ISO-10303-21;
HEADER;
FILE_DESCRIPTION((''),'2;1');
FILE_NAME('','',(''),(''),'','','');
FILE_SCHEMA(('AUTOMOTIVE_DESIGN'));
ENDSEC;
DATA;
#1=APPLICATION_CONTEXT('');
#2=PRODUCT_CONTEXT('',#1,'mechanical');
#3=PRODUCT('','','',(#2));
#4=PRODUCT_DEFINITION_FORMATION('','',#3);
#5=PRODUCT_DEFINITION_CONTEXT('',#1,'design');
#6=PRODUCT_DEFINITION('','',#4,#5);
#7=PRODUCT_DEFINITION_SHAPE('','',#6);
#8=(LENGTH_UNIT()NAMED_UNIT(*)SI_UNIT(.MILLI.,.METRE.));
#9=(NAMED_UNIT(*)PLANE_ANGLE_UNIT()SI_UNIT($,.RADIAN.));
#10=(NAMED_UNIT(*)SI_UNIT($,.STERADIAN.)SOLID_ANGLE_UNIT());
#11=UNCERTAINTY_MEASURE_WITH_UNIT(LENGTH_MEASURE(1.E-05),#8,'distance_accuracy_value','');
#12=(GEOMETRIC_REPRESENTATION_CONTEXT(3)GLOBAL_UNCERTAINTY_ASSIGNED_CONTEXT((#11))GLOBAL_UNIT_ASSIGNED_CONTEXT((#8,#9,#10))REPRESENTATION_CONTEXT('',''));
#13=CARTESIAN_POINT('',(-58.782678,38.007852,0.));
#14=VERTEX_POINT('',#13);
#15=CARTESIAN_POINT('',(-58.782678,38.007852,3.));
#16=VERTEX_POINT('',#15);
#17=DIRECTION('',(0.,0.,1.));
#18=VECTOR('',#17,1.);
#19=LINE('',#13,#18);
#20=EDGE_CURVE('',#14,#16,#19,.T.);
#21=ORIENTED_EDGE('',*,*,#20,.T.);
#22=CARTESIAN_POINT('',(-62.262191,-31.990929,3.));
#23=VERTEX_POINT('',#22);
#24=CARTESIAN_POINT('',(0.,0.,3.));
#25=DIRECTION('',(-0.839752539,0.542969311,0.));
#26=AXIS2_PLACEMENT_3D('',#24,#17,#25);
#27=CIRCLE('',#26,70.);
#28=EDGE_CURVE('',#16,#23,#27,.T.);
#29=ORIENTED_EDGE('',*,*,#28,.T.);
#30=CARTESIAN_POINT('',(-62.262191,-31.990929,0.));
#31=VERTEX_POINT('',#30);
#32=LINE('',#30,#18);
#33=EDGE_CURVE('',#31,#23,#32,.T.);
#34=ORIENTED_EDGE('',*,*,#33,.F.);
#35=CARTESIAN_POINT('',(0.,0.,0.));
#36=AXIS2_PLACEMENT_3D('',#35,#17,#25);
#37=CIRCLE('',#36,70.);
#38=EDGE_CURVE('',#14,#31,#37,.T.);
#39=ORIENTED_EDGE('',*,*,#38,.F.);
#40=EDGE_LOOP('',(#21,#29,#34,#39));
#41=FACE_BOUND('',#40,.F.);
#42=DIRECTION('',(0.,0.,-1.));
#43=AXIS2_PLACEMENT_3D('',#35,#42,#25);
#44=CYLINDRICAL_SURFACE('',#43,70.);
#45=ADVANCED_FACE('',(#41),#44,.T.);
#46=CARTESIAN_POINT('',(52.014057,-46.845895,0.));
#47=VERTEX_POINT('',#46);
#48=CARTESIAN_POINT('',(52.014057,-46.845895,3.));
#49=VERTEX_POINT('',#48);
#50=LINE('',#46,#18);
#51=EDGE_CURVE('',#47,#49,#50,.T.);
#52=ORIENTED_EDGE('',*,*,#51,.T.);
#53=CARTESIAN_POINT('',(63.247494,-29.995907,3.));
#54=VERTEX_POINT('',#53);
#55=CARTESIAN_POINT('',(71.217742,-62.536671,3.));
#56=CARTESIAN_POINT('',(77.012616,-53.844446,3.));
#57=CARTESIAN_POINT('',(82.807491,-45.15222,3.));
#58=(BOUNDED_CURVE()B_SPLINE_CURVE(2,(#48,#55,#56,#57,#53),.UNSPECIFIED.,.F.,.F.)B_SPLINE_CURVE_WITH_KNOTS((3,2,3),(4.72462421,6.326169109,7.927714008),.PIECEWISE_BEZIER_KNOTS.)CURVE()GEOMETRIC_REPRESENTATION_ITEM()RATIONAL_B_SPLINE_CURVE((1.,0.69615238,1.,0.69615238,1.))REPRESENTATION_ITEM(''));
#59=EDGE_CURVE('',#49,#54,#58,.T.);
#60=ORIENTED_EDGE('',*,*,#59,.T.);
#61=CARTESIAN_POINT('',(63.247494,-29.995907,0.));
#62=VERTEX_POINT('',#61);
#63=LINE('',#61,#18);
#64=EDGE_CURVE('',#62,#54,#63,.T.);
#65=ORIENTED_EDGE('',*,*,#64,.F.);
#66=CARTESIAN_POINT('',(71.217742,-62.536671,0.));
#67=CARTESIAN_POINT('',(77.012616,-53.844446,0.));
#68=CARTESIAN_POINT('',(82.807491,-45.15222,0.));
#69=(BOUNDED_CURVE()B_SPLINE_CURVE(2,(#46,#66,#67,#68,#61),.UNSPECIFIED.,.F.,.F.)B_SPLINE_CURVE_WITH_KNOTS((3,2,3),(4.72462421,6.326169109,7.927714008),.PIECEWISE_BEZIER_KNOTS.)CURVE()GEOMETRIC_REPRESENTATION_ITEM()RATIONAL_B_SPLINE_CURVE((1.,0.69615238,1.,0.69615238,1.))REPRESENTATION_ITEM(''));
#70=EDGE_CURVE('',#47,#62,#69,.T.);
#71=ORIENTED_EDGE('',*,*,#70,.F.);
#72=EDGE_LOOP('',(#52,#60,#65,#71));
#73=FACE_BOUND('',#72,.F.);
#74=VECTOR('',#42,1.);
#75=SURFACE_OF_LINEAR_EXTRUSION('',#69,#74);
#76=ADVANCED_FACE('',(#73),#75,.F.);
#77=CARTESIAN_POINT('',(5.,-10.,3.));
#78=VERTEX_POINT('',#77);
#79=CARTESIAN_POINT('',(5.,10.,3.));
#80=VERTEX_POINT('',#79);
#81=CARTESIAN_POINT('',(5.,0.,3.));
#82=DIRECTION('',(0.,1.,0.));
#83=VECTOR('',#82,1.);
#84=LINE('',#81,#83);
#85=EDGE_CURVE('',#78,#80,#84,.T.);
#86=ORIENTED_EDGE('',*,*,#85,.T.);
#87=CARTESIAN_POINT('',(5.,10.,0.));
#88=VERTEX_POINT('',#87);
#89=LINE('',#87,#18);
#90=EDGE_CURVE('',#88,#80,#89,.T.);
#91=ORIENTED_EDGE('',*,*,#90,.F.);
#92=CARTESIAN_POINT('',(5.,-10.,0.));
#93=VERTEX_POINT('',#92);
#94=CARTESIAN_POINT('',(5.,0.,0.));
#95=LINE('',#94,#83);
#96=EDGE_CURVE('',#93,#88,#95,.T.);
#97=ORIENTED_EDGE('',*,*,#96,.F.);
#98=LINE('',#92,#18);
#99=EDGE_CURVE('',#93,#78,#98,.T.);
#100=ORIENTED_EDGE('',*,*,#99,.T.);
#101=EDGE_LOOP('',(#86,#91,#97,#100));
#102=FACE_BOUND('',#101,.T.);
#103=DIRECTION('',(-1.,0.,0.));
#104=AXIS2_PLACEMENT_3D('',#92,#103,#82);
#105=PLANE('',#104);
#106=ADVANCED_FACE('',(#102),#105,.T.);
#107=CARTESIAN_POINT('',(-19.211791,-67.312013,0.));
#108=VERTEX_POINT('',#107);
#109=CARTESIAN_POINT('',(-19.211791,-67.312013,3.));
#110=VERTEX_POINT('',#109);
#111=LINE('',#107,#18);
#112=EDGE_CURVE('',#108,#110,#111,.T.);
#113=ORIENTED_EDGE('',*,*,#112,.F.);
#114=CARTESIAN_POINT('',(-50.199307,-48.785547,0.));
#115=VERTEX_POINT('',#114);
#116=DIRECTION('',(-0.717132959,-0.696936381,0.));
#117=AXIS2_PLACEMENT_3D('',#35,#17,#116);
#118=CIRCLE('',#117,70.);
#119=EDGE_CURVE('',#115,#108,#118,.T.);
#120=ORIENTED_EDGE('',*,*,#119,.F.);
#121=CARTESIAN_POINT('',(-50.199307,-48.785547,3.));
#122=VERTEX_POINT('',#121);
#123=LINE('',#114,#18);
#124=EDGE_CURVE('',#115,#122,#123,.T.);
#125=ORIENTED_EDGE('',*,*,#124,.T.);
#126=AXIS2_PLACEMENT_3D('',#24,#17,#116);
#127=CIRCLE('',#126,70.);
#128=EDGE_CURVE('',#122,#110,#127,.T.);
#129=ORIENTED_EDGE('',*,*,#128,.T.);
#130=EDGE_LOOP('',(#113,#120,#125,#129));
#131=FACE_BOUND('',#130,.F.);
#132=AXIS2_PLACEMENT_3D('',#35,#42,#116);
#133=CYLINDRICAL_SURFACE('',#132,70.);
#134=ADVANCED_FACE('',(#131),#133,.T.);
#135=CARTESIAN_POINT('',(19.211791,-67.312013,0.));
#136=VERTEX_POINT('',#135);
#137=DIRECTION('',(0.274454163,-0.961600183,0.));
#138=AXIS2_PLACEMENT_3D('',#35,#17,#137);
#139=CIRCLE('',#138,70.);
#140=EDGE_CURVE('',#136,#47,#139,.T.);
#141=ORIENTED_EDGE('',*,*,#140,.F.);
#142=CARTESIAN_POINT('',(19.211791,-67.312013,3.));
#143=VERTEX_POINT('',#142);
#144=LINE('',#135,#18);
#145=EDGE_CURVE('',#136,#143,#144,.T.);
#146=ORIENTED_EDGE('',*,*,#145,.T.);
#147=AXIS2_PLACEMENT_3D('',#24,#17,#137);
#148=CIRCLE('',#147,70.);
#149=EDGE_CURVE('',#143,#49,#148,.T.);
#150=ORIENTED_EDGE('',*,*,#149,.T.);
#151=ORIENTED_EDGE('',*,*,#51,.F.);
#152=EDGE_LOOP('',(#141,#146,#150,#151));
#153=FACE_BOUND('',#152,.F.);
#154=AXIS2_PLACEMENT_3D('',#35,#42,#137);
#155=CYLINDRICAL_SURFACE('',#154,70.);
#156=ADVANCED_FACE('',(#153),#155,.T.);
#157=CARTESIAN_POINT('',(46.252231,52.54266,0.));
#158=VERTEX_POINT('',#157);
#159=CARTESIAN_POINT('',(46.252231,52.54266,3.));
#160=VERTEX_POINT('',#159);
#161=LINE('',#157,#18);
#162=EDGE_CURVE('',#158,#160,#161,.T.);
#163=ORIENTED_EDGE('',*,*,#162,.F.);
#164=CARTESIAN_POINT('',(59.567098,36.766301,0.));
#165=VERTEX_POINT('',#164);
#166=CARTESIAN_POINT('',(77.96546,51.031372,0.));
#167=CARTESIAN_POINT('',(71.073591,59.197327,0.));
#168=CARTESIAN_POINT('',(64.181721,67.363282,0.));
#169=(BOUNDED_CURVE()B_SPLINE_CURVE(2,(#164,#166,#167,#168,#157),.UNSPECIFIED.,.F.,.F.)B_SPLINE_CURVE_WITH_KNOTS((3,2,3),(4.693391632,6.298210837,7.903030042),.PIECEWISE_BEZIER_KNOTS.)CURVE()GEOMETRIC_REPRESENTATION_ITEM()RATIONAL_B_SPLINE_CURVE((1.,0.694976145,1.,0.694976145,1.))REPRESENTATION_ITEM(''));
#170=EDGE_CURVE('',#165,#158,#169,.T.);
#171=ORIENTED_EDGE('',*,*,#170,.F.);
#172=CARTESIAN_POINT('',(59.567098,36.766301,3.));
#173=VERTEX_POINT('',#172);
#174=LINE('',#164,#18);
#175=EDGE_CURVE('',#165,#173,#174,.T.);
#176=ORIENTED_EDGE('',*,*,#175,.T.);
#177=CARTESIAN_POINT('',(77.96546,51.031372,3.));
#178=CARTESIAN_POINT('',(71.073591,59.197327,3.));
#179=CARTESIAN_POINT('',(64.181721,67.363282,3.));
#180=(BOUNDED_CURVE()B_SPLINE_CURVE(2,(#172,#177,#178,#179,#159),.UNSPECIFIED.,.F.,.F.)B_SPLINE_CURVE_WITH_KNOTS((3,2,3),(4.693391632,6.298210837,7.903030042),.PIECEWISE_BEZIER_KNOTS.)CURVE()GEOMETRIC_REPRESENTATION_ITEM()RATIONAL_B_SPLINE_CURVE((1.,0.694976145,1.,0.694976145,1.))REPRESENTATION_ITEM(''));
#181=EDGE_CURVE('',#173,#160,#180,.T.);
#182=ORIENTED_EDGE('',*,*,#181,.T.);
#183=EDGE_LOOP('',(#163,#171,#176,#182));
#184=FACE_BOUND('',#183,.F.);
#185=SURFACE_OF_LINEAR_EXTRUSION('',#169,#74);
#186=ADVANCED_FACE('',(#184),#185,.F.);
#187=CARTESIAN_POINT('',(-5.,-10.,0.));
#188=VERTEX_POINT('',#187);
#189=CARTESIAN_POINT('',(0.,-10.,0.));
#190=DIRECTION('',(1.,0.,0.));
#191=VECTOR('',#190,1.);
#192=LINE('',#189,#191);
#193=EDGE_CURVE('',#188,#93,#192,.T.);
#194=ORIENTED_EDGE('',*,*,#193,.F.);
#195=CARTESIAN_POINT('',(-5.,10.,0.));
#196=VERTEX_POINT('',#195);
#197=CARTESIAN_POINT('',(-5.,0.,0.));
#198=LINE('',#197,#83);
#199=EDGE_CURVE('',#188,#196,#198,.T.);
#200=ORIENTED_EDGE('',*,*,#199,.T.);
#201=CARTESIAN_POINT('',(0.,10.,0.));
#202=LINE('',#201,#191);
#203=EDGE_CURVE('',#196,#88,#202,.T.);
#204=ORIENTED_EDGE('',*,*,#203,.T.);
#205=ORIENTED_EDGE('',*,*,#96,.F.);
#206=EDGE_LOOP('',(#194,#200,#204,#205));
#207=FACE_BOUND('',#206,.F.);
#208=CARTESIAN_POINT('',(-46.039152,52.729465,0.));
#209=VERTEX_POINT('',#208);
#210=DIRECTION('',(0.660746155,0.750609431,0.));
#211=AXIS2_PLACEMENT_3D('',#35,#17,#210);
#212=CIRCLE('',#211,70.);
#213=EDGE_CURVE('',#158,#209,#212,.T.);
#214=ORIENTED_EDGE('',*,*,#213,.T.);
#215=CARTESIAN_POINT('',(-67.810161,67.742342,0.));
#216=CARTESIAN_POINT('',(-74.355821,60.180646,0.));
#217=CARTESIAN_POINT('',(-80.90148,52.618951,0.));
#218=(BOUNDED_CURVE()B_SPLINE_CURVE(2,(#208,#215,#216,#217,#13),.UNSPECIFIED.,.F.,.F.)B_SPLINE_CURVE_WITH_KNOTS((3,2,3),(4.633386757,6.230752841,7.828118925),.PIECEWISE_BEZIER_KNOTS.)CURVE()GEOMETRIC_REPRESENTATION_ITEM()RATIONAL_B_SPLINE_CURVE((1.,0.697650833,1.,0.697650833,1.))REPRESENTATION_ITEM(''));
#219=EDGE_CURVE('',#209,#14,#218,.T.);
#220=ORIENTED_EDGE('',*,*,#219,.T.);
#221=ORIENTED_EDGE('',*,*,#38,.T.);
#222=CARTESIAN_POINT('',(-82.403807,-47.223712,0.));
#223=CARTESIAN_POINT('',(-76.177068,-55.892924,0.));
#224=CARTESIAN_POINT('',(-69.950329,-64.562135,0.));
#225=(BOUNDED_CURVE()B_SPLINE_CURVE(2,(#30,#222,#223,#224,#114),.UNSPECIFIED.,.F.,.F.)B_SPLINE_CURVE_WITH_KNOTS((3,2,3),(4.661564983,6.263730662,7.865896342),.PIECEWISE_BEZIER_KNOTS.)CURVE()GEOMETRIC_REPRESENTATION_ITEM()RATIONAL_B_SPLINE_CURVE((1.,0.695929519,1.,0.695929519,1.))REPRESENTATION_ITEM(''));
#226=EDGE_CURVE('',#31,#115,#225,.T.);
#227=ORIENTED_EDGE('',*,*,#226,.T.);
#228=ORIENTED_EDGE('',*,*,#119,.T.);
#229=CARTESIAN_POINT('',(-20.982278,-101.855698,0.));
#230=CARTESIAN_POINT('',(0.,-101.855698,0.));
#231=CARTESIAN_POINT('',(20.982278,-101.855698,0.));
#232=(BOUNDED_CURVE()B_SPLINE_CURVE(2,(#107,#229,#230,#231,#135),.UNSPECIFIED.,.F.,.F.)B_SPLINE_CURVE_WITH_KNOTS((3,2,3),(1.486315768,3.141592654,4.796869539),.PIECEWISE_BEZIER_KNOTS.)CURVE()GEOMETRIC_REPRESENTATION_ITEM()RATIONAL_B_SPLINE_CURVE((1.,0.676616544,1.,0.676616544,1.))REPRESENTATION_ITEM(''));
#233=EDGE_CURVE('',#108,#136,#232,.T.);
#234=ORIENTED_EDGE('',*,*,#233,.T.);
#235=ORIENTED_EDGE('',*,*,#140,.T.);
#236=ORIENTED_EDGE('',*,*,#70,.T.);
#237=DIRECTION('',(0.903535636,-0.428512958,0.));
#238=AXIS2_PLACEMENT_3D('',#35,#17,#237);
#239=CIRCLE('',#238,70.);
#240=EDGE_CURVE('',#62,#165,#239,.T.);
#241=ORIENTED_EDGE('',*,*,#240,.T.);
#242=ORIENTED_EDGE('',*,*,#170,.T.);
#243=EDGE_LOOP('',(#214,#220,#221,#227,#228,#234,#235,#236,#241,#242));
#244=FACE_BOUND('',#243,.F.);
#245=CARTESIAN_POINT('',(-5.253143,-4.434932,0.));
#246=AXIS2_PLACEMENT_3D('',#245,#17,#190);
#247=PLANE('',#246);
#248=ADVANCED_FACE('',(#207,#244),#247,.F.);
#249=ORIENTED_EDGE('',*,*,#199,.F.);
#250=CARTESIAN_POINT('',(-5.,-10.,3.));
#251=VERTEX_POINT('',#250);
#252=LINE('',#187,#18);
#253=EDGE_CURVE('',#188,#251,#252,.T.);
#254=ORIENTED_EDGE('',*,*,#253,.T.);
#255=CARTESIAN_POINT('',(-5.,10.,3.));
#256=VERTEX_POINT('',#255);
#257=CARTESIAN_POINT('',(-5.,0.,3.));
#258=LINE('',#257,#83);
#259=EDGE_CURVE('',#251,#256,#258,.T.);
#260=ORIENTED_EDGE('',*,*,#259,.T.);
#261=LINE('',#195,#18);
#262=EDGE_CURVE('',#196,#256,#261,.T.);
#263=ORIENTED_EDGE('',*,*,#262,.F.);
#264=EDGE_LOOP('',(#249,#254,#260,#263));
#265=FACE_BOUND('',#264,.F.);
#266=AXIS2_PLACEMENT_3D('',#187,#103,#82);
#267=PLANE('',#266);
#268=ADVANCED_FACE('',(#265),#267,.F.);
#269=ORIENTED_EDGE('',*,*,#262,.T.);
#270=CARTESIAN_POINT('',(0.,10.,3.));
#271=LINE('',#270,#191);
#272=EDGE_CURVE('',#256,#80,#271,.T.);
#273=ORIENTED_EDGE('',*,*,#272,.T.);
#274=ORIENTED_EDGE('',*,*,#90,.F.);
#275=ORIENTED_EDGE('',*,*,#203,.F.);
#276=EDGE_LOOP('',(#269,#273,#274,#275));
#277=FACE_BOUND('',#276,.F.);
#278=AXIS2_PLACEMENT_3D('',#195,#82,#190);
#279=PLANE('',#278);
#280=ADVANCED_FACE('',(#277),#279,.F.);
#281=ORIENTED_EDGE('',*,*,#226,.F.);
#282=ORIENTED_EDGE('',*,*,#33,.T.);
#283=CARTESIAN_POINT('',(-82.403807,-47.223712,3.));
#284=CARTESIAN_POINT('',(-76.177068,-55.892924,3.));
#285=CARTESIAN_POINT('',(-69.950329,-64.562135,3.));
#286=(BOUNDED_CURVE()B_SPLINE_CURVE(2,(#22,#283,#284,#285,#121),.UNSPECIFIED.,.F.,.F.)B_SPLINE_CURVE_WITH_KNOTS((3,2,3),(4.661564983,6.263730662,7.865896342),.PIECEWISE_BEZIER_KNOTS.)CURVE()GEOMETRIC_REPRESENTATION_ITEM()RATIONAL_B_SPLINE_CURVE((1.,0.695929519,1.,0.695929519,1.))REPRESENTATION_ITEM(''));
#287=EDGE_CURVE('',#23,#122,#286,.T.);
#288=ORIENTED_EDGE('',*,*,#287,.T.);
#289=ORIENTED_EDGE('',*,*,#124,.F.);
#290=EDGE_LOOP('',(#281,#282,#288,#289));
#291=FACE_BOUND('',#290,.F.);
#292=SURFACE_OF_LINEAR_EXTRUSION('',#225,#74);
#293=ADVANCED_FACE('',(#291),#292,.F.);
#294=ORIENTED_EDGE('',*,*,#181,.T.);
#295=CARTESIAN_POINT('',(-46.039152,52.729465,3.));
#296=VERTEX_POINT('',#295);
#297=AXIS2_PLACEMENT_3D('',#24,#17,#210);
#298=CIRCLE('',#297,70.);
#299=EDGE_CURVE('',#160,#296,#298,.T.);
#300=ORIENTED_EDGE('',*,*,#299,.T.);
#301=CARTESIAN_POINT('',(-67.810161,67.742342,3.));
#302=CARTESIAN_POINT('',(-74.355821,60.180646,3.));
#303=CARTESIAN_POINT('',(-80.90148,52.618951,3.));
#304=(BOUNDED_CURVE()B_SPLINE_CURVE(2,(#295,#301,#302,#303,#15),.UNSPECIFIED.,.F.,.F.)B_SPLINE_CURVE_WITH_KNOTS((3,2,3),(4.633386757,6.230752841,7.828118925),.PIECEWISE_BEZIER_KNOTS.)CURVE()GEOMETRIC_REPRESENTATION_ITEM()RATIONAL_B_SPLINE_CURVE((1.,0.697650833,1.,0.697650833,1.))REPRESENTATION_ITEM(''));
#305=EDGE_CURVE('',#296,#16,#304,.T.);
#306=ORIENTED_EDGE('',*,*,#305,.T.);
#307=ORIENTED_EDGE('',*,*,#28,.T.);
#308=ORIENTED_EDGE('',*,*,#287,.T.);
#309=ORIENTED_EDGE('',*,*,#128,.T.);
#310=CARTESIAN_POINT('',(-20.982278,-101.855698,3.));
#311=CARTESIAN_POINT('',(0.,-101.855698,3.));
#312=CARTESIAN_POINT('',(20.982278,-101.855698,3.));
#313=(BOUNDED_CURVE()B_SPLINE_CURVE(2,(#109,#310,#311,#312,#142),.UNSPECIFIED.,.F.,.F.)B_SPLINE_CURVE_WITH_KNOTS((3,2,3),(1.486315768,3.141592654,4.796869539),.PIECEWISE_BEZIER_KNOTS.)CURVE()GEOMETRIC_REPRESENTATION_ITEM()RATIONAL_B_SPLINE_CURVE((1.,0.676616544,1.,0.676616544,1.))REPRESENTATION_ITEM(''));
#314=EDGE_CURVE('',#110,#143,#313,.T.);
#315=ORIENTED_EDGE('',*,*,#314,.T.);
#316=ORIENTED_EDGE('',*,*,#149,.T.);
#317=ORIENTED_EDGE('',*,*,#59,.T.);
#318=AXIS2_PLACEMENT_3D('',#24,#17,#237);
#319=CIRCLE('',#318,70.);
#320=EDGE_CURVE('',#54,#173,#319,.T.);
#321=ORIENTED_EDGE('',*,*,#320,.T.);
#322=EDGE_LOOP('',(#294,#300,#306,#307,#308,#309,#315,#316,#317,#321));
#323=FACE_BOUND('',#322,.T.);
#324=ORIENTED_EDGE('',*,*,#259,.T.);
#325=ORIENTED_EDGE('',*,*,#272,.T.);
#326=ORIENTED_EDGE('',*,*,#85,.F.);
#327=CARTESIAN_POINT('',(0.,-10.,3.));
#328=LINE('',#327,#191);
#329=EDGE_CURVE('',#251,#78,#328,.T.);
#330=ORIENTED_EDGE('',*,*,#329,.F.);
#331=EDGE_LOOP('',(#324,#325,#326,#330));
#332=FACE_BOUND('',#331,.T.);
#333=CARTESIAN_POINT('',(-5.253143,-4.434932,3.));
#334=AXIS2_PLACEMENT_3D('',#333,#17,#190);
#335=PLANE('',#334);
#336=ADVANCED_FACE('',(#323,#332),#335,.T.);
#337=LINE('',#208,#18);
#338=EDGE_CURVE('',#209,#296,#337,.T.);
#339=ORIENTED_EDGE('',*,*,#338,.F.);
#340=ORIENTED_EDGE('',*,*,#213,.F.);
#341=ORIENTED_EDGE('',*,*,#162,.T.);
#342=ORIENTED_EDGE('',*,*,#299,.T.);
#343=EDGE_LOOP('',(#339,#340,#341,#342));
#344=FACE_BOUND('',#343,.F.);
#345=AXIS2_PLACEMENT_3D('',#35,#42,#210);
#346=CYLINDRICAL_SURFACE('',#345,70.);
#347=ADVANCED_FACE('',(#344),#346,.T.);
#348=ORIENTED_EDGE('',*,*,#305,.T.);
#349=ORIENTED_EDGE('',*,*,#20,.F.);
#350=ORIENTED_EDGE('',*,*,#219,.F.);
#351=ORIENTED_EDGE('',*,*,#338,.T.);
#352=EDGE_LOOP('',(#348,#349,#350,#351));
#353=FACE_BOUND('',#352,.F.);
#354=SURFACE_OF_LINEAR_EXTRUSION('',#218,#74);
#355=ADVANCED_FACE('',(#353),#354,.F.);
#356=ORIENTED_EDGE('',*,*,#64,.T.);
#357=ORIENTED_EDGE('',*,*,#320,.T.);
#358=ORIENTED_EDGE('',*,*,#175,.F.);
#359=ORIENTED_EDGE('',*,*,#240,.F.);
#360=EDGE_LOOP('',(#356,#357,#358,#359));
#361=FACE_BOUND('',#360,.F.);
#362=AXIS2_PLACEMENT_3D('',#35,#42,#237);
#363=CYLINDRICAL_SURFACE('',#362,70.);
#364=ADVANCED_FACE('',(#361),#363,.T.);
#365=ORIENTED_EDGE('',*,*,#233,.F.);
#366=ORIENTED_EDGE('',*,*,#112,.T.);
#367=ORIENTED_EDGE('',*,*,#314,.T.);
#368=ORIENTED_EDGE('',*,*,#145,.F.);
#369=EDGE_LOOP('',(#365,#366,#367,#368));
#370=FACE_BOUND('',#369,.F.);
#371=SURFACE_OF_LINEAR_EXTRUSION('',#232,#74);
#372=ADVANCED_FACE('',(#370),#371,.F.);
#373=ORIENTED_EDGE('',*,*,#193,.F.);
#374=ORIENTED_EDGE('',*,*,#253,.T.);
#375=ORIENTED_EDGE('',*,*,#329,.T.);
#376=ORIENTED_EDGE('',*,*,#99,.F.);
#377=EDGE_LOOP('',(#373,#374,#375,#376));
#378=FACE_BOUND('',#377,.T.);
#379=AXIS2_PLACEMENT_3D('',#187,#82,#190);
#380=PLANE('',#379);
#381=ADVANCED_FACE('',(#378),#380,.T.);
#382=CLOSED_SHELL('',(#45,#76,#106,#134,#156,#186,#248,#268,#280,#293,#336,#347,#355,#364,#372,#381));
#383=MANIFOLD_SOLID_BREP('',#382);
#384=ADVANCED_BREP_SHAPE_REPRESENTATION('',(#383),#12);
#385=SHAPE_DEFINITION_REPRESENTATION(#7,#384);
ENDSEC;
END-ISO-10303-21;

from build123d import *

# Parameters (mm, degrees)
F0_W     = 10
F0_H     = 20
F1_DEPTH = 3


with BuildPart() as f1:
    # F0 (on Top) → F1 (new body)
    with BuildSketch(Plane.XY):
        with BuildLine():
            add(Edge.make_bspline(
                [(-46.0391518575, 52.7294651618), (-67.8101614664, 67.7423418378), (-74.3558205184, 60.1806463757), (-80.9014795704, 52.6189509136), (-58.7826777446, 38.0078517831)],
                knots=[4.633386757, 4.633386757, 4.633386757, 6.2307528408, 6.2307528408, 7.8281189246, 7.8281189246, 7.8281189246], degree=2, weights=[1, 0.6976508328, 1, 0.6976508328, 1]))
            ThreePointArc((-58.7826777446, 38.0078517831), (-69.9136782628, 3.4752829769), (-62.262191037, -31.9909294531))
            add(Edge.make_bspline(
                [(-62.262191037, -31.9909294531), (-82.4038068313, -47.223712019), (-76.1770681531, -55.8929235783), (-69.9503294749, -64.5621351376), (-50.1993071337, -48.7855466639)],
                knots=[4.6615649831, 4.6615649831, 4.6615649831, 6.2637306623, 6.2637306623, 7.8658963415, 7.8658963415, 7.8658963415], degree=2, weights=[1, 0.6959295194, 1, 0.6959295194, 1]))
            ThreePointArc((-50.1993071337, -48.7855466639), (-35.9205044192, -60.0809234472), (-19.2117914208, -67.3120128239))
            add(Edge.make_bspline(
                [(-19.2117914208, -67.3120128239), (-20.9822782655, -101.8556983769), (0, -101.8556983769), (20.9822782655, -101.8556983769), (19.2117914208, -67.3120128239)],
                knots=[1.4863157685, 1.4863157685, 1.4863157685, 3.1415926536, 3.1415926536, 4.7968695387, 4.7968695387, 4.7968695387], degree=2, weights=[1, 0.6766165439, 1, 0.6766165439, 1]))
            ThreePointArc((19.2117914208, -67.3120128239), (37.0539589354, -59.3885858328), (52.0140571456, -46.8458947961))
            ThreePointArc((52.0140571456, -46.8458947961), (58.2433416237, -38.8292822044), (63.2474944967, -29.9959070522))
            ThreePointArc((63.2474944967, -29.9959070522), (69.8938774959, 3.8530362812), (59.5670976046, 36.7663009148))
            add(Edge.make_bspline(
                [(59.5670976046, 36.7663009148), (77.9654601676, 51.0313716272), (71.0735907958, 59.1973269767), (64.1817214241, 67.3632823262), (46.2522308571, 52.5426601985)],
                knots=[4.6933916319, 4.6933916319, 4.6933916319, 6.298210837, 6.298210837, 7.9030300421, 7.9030300421, 7.9030300421], degree=2, weights=[1, 0.6949761454, 1, 0.6949761454, 1]))
            ThreePointArc((46.2522308571, 52.5426601985), (0.1416851742, 69.9998566092), (-46.0391518575, 52.7294651618))
        make_face()
        Rectangle(F0_W, F0_H, mode=Mode.SUBTRACT)
        with BuildLine():
            add(Edge.make_bspline(
                [(52.0140571456, -46.8458947961), (71.2177415421, -62.5366709433), (77.0126162643, -53.8444456703), (82.8074909864, -45.1522203974), (63.2474944967, -29.9959070522)],
                knots=[4.7246242101, 4.7246242101, 4.7246242101, 6.326169109, 6.326169109, 7.9277140079, 7.9277140079, 7.9277140079], degree=2, weights=[1, 0.6961523802, 1, 0.6961523802, 1]))
            ThreePointArc((63.2474944967, -29.9959070522), (58.2433416237, -38.8292822044), (52.0140571456, -46.8458947961))
        make_face()
    extrude(amount=F1_DEPTH)


solid = f1.part
